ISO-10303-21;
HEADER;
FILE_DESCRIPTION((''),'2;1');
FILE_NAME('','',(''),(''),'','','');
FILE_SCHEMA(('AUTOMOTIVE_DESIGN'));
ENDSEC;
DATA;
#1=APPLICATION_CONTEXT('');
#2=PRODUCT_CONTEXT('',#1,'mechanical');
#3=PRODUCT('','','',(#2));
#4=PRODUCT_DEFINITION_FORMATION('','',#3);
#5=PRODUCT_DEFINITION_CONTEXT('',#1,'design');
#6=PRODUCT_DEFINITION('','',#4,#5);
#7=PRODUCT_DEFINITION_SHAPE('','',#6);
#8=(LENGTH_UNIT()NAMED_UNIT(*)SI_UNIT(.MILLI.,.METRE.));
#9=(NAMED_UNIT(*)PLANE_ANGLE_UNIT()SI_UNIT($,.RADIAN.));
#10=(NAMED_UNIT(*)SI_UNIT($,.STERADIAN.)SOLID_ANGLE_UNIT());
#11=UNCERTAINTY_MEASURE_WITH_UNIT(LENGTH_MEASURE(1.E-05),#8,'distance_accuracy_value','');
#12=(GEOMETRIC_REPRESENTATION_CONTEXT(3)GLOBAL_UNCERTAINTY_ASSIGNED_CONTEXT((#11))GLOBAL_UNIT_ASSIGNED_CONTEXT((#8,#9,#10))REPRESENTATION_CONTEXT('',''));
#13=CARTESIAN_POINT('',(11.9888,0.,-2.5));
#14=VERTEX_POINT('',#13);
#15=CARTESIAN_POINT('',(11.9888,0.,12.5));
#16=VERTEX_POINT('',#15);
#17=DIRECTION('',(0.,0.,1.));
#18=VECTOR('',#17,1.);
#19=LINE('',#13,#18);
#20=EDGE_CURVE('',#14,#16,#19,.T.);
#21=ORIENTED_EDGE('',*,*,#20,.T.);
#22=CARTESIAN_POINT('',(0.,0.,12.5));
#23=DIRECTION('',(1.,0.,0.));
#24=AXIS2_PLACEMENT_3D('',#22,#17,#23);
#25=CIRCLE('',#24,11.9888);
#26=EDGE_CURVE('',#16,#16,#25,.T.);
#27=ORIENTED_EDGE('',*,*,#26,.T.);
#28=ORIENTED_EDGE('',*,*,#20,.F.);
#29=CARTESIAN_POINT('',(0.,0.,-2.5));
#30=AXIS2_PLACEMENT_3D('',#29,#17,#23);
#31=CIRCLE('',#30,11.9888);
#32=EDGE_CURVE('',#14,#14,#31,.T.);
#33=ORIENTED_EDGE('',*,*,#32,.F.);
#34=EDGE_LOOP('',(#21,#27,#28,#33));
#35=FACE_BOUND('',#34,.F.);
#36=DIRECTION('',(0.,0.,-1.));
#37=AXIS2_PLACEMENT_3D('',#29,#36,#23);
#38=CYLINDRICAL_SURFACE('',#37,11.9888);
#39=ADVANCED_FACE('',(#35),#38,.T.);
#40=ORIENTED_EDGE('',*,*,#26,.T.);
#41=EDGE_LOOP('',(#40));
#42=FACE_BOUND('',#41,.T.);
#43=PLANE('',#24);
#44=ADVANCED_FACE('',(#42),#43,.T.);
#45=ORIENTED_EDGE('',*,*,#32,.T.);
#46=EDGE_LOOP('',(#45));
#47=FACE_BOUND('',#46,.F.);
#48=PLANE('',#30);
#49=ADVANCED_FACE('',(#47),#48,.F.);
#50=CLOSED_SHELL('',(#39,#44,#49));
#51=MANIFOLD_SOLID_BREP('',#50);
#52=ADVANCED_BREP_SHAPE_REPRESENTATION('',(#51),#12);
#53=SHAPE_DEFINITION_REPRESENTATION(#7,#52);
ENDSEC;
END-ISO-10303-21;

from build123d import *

# Parameters (mm, degrees)
CYLINDER_R     = 11.9888
CYLINDER_DEPTH = 15


with BuildPart() as part:
    # Cylinder → Cylinder (new body)
    with BuildSketch(Plane.XY.offset(-2.5)):
        Circle(CYLINDER_R)
    extrude(amount=CYLINDER_DEPTH)


solid = part.part
